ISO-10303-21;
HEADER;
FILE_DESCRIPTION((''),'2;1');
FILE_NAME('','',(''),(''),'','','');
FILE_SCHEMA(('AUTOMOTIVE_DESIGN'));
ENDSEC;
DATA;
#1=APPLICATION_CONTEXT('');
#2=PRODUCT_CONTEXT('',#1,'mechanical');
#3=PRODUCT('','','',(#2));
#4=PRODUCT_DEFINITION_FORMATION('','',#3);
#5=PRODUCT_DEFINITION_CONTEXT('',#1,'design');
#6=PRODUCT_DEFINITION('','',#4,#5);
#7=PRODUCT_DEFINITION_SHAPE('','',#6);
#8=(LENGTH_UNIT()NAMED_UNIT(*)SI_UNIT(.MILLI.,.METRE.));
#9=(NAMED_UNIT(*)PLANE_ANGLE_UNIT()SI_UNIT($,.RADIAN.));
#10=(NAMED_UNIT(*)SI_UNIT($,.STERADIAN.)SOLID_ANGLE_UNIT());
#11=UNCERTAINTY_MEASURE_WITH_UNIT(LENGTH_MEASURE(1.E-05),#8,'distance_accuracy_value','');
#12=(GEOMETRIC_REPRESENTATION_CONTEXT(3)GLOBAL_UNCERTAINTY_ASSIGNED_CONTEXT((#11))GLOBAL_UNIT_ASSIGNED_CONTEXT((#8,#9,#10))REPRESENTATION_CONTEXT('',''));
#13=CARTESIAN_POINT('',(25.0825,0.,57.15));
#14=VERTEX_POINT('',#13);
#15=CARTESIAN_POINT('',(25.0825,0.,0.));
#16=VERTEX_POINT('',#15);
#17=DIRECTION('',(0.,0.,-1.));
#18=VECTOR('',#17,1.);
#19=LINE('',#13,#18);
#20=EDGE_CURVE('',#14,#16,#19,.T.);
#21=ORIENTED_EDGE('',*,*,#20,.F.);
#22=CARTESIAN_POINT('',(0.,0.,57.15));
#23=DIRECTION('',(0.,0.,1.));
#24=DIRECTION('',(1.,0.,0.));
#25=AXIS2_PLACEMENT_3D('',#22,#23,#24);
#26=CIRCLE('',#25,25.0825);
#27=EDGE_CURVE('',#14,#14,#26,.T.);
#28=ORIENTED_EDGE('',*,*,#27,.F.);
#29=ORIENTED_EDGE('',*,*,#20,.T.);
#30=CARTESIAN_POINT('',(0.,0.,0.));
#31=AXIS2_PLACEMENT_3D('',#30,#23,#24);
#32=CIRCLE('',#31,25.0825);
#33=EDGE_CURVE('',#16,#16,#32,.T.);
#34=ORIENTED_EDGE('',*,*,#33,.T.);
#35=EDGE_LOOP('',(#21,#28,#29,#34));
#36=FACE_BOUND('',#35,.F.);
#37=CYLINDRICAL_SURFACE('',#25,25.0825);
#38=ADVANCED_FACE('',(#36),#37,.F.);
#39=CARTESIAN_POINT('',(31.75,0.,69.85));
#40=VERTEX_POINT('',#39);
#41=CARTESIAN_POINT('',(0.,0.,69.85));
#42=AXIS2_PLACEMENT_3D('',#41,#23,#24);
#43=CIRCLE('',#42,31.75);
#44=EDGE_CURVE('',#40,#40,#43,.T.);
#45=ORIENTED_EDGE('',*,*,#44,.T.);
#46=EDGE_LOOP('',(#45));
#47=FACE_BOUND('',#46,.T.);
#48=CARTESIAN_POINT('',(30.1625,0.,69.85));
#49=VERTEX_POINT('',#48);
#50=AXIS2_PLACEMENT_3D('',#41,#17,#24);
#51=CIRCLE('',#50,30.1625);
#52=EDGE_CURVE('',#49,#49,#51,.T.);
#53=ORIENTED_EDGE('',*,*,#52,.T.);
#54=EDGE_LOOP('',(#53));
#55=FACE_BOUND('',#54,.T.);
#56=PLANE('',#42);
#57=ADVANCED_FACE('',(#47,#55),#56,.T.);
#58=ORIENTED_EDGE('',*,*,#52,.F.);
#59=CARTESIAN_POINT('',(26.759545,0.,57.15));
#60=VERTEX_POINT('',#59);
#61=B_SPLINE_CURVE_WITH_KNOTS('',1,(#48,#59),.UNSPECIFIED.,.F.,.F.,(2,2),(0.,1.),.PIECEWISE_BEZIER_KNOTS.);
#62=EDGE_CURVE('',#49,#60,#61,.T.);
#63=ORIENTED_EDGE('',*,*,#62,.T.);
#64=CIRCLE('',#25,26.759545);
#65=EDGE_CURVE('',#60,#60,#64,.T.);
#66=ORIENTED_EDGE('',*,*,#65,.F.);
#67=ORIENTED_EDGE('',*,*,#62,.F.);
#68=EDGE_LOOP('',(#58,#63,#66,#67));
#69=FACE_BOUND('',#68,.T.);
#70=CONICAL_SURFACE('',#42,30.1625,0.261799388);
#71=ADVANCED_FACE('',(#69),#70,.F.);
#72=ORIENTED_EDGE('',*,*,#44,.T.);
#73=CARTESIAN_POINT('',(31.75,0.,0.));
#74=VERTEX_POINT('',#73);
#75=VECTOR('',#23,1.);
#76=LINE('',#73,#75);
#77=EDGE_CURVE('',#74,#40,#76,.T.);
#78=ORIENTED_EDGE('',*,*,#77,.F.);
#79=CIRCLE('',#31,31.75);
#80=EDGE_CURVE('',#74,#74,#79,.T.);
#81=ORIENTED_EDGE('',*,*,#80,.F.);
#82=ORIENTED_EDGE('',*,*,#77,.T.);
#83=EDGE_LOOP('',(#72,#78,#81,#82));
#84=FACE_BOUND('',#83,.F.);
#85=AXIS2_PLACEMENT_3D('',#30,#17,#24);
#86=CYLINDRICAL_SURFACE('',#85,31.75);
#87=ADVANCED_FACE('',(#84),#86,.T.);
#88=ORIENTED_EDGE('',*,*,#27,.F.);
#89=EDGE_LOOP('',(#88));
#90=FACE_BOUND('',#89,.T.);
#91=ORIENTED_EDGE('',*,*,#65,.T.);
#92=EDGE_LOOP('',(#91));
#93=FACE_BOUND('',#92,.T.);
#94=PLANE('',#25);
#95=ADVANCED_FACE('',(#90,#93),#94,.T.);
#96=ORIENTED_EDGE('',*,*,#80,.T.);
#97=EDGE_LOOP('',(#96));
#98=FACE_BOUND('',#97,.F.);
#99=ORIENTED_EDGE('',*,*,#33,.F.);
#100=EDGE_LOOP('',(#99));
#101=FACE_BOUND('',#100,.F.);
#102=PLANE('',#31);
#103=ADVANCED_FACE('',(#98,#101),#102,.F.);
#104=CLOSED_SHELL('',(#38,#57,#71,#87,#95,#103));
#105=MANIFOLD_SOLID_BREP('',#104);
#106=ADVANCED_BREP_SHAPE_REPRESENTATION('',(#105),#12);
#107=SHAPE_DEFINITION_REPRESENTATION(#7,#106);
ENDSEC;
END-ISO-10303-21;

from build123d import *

# Parameters (mm, degrees)
F0_R     = 31.75
F1_DEPTH = 69.85
F2_R     = 30.1625
F3_DEPTH = 12.7
F3_TAPER = 15
F4_R     = 25.0825
F5_DEPTH = 57.151


with BuildPart() as f1:
    # F0 (on Top) → F1 (new body)
    with BuildSketch(Plane.XY):
        Circle(F0_R)
    extrude(amount=F1_DEPTH)

    # F2 (on face) → F3 (cut)
    with BuildSketch(Plane.XY.offset(69.85)):
        Circle(F2_R)
    extrude(amount=-F3_DEPTH, taper=F3_TAPER, mode=Mode.SUBTRACT)

    # F4 (on face) → F5 (cut, through all)
    with BuildSketch(Plane.XY.offset(57.15)):
        Circle(F4_R)
    extrude(amount=-F5_DEPTH, mode=Mode.SUBTRACT)


solid = f1.part
